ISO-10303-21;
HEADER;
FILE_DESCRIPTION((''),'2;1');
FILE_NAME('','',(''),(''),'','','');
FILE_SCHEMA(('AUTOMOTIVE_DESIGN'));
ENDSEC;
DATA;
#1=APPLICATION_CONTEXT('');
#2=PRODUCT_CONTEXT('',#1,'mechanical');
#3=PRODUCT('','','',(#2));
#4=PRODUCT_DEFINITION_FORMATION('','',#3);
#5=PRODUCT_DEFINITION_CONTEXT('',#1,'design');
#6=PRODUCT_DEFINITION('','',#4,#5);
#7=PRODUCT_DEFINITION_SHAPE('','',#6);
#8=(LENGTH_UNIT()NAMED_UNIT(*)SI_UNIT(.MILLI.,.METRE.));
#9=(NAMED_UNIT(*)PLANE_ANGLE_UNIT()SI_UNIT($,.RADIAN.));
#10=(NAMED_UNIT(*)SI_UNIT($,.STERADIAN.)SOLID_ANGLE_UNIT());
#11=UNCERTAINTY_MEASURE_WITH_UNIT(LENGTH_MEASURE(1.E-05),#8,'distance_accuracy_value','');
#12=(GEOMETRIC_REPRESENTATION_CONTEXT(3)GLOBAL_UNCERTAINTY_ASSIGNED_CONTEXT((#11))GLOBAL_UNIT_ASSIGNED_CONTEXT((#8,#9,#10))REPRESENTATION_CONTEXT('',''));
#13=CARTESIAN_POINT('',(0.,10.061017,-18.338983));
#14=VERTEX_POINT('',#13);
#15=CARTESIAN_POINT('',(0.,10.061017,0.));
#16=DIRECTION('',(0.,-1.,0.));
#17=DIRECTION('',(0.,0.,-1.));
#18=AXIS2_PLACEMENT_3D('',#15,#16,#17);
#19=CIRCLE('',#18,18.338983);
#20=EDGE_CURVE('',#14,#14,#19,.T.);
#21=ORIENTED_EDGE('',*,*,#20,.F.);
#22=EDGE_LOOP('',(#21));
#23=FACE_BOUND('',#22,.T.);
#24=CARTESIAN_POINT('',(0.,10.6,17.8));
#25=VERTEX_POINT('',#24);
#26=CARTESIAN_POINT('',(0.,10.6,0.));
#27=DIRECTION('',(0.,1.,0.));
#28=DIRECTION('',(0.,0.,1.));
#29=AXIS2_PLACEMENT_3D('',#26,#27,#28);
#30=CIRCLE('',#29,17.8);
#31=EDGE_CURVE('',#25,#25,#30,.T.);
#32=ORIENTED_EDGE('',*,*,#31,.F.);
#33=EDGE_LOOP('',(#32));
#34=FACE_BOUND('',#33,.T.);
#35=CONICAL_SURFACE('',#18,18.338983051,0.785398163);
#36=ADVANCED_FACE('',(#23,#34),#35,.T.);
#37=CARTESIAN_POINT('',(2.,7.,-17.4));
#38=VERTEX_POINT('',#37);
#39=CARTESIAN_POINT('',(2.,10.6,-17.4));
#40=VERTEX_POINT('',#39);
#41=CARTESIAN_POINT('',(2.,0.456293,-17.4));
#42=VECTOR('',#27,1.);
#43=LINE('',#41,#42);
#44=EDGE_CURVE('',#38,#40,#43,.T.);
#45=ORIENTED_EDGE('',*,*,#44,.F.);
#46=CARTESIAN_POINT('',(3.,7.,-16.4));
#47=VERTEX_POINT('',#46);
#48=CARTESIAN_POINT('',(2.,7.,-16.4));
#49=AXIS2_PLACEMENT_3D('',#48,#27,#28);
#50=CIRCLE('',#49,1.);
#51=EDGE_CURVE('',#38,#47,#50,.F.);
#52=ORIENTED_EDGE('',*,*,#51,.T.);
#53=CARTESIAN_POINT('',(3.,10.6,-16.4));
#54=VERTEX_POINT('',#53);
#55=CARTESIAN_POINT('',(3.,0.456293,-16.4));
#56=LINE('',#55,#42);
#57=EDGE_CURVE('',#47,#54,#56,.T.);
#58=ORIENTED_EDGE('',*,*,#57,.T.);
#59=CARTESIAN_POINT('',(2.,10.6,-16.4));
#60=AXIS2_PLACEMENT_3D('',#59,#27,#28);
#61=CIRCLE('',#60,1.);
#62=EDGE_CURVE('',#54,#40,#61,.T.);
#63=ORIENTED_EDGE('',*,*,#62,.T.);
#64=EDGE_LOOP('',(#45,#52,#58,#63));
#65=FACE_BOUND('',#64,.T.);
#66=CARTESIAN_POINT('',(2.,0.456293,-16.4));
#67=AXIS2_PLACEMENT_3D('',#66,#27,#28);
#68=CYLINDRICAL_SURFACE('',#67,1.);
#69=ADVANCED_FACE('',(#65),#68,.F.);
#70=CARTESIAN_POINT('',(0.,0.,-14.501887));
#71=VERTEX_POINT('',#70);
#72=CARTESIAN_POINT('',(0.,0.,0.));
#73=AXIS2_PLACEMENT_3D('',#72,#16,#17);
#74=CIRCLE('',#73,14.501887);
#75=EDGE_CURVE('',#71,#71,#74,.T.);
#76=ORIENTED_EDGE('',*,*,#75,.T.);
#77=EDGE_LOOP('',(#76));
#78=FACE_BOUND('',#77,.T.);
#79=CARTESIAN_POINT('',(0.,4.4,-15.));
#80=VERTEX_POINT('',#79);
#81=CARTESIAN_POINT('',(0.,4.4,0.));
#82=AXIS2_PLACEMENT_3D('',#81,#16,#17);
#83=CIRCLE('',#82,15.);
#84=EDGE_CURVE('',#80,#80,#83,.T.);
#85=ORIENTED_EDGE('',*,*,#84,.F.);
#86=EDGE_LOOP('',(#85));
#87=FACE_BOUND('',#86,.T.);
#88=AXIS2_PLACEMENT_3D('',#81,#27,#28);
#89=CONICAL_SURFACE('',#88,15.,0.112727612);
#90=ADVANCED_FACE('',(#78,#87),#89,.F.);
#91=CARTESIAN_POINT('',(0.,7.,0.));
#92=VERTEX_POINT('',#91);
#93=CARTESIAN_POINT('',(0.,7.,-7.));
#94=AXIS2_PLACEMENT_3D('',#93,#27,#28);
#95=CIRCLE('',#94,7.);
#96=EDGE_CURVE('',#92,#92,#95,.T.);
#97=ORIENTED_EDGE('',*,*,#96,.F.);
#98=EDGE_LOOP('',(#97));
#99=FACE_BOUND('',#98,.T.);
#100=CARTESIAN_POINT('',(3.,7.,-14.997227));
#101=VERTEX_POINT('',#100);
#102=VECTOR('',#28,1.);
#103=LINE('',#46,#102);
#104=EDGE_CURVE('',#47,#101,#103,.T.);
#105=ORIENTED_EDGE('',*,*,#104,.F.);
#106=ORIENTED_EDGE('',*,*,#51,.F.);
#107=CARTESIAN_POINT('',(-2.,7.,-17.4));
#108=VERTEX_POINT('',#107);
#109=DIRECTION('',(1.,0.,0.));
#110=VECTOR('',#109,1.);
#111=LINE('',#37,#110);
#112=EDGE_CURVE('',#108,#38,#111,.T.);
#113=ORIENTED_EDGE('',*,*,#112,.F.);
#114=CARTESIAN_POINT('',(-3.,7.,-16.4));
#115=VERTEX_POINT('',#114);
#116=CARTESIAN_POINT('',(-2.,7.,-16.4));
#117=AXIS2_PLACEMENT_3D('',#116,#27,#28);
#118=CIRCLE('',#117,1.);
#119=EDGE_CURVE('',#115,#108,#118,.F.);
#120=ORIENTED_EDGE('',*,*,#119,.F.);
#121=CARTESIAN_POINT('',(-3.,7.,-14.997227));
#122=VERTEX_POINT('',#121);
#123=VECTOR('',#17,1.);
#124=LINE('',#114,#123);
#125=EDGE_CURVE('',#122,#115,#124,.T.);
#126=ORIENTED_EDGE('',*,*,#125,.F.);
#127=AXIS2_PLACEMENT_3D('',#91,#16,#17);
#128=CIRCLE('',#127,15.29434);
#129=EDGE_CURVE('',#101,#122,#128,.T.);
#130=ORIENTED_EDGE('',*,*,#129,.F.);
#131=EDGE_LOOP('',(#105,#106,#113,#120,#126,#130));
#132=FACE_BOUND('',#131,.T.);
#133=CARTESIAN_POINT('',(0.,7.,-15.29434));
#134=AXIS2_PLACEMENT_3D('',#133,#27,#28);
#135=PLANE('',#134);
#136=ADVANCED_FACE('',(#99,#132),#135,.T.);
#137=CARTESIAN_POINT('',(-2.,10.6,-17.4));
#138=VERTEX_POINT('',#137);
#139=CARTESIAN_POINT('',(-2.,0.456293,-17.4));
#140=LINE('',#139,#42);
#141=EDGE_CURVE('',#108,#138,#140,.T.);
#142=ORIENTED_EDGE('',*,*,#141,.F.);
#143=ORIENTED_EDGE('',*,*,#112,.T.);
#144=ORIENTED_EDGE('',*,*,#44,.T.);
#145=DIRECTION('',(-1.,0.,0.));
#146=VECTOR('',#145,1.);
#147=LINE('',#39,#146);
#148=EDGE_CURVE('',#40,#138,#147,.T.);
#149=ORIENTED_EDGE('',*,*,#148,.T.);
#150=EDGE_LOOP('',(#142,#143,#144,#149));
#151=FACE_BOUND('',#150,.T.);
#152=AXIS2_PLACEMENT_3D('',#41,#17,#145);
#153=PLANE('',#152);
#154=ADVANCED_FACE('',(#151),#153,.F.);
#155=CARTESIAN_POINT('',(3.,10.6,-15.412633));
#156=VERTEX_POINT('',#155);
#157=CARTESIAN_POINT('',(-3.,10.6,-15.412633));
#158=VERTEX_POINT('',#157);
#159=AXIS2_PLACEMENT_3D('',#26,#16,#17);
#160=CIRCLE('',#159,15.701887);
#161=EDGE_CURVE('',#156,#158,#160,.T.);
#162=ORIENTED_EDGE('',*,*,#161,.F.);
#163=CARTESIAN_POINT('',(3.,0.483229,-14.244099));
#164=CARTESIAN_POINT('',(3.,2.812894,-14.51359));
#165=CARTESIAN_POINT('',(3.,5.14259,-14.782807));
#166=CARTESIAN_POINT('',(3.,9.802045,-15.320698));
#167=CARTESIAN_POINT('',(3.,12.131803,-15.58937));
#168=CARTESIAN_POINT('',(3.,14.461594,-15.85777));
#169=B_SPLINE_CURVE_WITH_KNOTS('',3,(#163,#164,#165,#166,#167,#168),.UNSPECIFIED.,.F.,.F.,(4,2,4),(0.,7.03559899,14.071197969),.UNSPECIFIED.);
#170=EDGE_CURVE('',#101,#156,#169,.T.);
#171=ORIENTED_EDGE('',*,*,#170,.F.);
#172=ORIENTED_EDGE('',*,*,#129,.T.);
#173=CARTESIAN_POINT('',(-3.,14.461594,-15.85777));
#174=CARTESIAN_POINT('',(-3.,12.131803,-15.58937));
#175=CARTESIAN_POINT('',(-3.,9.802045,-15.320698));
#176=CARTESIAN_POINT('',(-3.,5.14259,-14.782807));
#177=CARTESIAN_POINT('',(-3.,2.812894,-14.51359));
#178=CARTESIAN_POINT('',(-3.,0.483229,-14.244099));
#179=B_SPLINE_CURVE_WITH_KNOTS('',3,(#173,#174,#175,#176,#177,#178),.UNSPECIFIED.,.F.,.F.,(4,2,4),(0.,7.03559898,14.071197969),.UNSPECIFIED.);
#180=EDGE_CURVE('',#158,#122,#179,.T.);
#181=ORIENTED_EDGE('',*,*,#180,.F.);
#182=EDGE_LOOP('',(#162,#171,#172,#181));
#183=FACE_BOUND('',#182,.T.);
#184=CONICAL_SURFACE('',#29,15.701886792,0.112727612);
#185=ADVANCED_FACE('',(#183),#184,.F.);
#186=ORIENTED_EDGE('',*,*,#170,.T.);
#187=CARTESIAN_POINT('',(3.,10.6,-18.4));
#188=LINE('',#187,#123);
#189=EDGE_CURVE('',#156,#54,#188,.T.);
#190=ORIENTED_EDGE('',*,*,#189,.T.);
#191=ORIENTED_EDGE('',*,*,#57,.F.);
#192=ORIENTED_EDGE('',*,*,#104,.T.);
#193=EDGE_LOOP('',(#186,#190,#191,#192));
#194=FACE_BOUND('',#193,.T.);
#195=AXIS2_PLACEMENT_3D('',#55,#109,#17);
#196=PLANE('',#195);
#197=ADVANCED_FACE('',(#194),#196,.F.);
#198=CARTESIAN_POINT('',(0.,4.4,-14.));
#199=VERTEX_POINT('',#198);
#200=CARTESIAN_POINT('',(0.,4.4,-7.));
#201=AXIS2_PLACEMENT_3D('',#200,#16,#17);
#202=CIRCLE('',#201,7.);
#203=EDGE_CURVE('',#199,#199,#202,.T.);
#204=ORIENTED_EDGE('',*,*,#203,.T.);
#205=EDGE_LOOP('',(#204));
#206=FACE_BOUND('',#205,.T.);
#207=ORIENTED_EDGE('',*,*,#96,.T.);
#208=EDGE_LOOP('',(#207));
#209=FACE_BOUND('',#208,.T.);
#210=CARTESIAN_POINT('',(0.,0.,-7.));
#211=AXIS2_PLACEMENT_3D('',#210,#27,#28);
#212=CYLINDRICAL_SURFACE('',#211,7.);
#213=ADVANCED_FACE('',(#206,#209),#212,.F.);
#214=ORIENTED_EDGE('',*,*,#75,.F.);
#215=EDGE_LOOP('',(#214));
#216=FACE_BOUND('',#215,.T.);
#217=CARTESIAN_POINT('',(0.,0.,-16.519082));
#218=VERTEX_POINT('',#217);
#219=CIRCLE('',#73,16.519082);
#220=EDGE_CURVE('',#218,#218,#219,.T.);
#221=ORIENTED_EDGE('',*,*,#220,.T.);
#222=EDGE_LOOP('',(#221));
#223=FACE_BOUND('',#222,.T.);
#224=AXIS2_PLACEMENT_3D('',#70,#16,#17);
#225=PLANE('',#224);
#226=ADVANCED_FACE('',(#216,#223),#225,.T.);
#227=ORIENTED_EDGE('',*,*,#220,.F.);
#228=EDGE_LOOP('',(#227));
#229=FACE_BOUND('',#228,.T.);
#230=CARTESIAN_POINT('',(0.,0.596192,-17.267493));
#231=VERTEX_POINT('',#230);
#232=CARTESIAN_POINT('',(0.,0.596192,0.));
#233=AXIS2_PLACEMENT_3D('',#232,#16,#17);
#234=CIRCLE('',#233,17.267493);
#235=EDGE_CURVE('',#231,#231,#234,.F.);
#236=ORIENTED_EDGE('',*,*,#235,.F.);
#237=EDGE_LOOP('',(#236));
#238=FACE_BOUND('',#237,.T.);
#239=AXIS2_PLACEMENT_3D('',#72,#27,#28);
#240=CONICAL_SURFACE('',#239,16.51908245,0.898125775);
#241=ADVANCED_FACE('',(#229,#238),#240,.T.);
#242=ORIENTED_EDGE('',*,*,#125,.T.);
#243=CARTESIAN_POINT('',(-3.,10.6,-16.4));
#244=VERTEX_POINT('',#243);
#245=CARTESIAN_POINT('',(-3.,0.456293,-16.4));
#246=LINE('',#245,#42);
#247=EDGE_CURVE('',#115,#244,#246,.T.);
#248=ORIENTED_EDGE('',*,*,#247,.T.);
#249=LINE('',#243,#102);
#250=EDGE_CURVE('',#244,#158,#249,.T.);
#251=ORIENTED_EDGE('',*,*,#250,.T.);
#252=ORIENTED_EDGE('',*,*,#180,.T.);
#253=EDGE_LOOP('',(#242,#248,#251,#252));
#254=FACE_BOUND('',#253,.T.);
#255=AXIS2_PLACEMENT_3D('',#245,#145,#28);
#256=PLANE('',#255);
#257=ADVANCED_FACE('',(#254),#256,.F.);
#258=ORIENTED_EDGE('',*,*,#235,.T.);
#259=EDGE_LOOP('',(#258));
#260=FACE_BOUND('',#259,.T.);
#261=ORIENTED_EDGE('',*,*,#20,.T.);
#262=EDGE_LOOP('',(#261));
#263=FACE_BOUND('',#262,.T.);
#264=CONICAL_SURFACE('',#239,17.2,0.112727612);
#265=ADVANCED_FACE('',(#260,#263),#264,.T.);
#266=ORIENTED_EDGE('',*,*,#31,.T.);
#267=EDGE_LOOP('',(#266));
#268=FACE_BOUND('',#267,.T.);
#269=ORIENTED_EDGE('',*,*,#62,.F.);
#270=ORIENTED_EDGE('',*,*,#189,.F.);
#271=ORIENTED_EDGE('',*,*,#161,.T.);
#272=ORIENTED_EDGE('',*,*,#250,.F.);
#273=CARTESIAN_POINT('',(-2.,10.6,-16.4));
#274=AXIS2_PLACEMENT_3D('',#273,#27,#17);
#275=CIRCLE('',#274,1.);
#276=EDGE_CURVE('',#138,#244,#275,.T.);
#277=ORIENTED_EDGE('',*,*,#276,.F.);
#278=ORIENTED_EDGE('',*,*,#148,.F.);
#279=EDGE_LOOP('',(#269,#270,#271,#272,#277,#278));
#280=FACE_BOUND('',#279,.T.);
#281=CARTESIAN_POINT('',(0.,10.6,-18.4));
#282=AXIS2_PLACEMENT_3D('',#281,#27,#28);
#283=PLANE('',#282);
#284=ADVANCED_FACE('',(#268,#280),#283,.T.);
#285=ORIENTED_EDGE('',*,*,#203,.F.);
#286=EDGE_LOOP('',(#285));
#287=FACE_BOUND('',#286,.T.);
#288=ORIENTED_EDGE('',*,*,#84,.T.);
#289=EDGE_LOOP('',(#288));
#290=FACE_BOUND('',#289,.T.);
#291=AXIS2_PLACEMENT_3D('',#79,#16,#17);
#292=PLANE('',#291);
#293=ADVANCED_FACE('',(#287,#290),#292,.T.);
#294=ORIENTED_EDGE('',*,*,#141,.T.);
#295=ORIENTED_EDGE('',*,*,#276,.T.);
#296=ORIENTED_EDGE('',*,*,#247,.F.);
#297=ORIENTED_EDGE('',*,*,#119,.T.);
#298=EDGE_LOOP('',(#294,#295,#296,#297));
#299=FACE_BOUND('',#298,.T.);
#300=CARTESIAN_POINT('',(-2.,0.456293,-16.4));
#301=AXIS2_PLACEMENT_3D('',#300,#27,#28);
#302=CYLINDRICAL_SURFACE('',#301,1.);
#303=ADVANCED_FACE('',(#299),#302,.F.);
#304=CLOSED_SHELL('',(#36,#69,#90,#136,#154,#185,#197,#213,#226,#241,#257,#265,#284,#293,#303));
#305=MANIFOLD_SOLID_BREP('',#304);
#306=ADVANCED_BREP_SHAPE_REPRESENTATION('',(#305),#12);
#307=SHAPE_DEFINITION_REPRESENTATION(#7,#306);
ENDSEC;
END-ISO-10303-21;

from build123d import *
from OCP.BRepFilletAPI import BRepFilletAPI_MakeChamfer

# Parameters (mm, degrees)
CUT_EXTRUDE1_DEPTH = 28.123421613
SKETCH3_R          = 2
CUT_EXTRUDE2_DEPTH = 2
SKETCH8_R          = 25.2248299
CUT_EXTRUDE4_DEPTH = 12
SKETCH11_R         = 7
CUT_EXTRUDE6_DEPTH = 27.946613887
CUT_EXTRUDE7_DEPTH = 3.6
CHAMFER1_SIZE      = 0.6
CHAMFER1_SIZE2     = 0.68091755
CHAMFER1_SIZE2_2   = 0.542425845


with BuildPart() as part:
    # Sketch1 → Revolve1 (revolve)
    with BuildSketch(Plane.XY, mode=Mode.PRIVATE) as revolve1_sk:
        Polygon((0, 0), (-17.2, 0), (-15.1, -12), (0, -12), align=None)
    revolve(revolve1_sk.sketch.rotate(Axis((0, 0, 0), (0, -1, 0)), 270), axis=Axis((0, 0, 0), (0, -1, 0)))

    # Sketch2 → Cut-Extrude1 (cut, through all)
    with BuildSketch(Plane(origin=(0, 0, 0), x_dir=(1, 0, 0), z_dir=(0, 1, 0))):
        with BuildLine():
            Line((-9.1, -5.8), (-7.3, -5.8))
            Line((-7.3, -5.8), (-7.3, -10.756858277))
            ThreePointArc((-7.3, -10.756858277), (0, -13), (7.3, -10.756858277))
            Line((7.3, -10.756858277), (7.3, -5.8))
            Line((7.3, -5.8), (9.1, -5.8))
            Line((9.1, -5.8), (9.1, -4))
            Line((9.1, -4), (7.3, -4))
            Line((7.3, -4), (7.3, 0))
            Line((7.3, 0), (13, 0))
            ThreePointArc((13, 0), (0, 13), (-13, 0))
            Line((-13, 0), (-7.3, 0))
            Line((-7.3, 0), (-7.3, -4))
            Line((-7.3, -4), (-9.1, -4))
            Line((-9.1, -4), (-9.1, -5.8))
        make_face()
    extrude(amount=-CUT_EXTRUDE1_DEPTH, mode=Mode.SUBTRACT)

    # Sketch3 → Cut-Extrude2 (cut)
    with BuildSketch(Plane(origin=(0, 0, 0), x_dir=(1, 0, 0), z_dir=(0, 1, 0))):
        with Locations((-8.1, -4.9)):
            Circle(SKETCH3_R)
        with Locations((8.1, -4.9)):
            Circle(SKETCH3_R)
    extrude(amount=-CUT_EXTRUDE2_DEPTH, mode=Mode.SUBTRACT)

    # Sketch8 → Cut-Extrude4 (cut)
    with BuildSketch(Plane.XZ.offset(12)):
        Circle(SKETCH8_R)
    extrude(amount=-CUT_EXTRUDE4_DEPTH, mode=Mode.SUBTRACT)


with BuildPart() as body_2:
    # Sketch6 → Revolve2 (revolve)
    with BuildSketch(Plane(origin=(0, 0, 0), x_dir=(0, 0, -1), z_dir=(1, 0, 0))):
        Polygon((17.2, 0), (18.4, 10.6), (15.701886792, 10.6), (15.294339623, 7), (0, 7), (0, 4.4), (15, 4.4), (14.501886792, 0), align=None)
    revolve(axis=Axis((0, 4.4, 0), (0, 1, 0)))

    # Sketch11 → Cut-Extrude6 (cut, through all)
    with BuildSketch(Plane(origin=(0, 7, 0), x_dir=(1, 0, 0), z_dir=(0, 1, 0))):
        with Locations(Location((0, 7, 0), (0, 0, 270))):
            Circle(SKETCH11_R)
    extrude(amount=-CUT_EXTRUDE6_DEPTH, mode=Mode.SUBTRACT)

    # Sketch12 → Cut-Extrude7 (cut)
    with BuildSketch(Plane(origin=(0, 10.6, 0), x_dir=(1, 0, 0), z_dir=(0, 1, 0))):
        with BuildLine():
            Line((3, 16.4), (3, 14.788468719))
            Line((3, 14.788468719), (-3, 14.788468719))
            Line((-3, 14.788468719), (-3, 16.4))
            ThreePointArc((-3, 16.4), (-2.707106781, 17.107106781), (-2, 17.4))
            Line((-2, 17.4), (2, 17.4))
            ThreePointArc((2, 17.4), (2.707106781, 17.107106781), (3, 16.4))
        make_face()
    extrude(amount=-CUT_EXTRUDE7_DEPTH, mode=Mode.SUBTRACT)

    # Chamfer1: one chamfer whose edges measure the first distance from different faces: ONE call of the kernel's chamfer builder (chamfer() names one face for all edges)
    chamfer1_edges_1 = [body_2.edges().sort_by_distance(p)[0] for p in [
        (0, 0, 17.2),
    ]]
    chamfer1_side_1 = [body_2.faces().sort_by_distance(p)[0] for p in [
        (0, 5.3, 17.8),
    ]]
    chamfer1_edges_2 = [body_2.edges().sort_by_distance(p)[0] for p in [
        (0, 10.6, 18.4),
    ]]
    chamfer1_side_2 = [body_2.faces().sort_by_distance(p)[0] for p in [
        (0, 10.6, 17.879569409),
    ]]
    chamfer1 = BRepFilletAPI_MakeChamfer(body_2.part.solid().wrapped)
    for e in chamfer1_edges_1:
        chamfer1.Add(CHAMFER1_SIZE, CHAMFER1_SIZE2, e.wrapped, chamfer1_side_1[0].wrapped)  # the first distance lies on this face
    for e in chamfer1_edges_2:
        chamfer1.Add(CHAMFER1_SIZE, CHAMFER1_SIZE2_2, e.wrapped, chamfer1_side_2[0].wrapped)  # the first distance lies on this face
    add(Compound.cast(chamfer1.Shape()), mode=Mode.REPLACE)


solid = body_2.part
